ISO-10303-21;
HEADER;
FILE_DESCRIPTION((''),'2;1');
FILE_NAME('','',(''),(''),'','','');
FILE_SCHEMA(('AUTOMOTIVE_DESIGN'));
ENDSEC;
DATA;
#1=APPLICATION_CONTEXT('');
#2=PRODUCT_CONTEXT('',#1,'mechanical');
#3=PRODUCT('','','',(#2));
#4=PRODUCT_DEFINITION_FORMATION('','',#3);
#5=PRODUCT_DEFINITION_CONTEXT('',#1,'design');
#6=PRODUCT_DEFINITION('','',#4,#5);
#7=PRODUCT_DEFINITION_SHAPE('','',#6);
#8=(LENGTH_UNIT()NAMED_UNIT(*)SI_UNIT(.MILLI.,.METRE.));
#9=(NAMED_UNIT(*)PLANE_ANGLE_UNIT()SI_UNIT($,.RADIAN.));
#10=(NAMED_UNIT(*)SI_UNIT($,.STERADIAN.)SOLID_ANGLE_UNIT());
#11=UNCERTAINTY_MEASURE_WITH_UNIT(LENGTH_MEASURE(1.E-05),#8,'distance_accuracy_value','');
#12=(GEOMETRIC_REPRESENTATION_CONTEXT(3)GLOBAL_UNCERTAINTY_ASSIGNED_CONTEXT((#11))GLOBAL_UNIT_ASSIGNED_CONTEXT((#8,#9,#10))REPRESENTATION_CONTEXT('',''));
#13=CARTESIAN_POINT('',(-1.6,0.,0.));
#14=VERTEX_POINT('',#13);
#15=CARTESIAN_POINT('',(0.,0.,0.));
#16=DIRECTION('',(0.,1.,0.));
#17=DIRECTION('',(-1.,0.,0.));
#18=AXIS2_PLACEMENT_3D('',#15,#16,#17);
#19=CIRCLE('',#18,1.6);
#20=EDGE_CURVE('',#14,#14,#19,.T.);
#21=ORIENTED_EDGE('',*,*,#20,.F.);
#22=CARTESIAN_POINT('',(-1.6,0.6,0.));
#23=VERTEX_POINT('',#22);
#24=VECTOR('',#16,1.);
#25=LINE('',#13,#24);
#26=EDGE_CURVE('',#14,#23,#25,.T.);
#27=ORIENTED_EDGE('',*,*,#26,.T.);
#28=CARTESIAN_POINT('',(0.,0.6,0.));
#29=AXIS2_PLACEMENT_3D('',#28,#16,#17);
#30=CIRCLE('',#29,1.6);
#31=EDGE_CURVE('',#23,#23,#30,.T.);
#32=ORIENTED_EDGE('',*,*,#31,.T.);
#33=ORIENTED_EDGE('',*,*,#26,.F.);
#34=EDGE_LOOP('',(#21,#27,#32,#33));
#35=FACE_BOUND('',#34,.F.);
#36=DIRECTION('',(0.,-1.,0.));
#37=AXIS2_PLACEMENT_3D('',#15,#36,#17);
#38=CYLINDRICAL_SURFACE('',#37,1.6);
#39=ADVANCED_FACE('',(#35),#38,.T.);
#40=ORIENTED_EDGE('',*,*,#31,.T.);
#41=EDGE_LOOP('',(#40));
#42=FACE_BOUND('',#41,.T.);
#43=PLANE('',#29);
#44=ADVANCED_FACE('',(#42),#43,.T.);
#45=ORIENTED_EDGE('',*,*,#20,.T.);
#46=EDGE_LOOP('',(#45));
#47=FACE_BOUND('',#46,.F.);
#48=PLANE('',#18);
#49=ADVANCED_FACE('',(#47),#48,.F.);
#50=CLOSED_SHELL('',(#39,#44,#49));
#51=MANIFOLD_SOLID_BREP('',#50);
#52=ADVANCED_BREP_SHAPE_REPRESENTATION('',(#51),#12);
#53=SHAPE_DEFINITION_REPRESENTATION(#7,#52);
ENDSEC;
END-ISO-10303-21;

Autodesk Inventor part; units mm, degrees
ref_plane "YZ Plane" through (0, 0, 0) normal (1, 0, 0) x (0, 1, 0)
ref_plane "XZ Plane" through (0, 0, 0) normal (0, 1, 0) x (-1, 0, 0)
ref_plane "XY Plane" through (0, 0, 0) normal (0, 0, 1) x (1, 0, 0)
sketch "Sketch1" plane through (0, 0, 0) normal (0, 1, 0) x (-1, 0, 0)
  circle A0 centre (0, 0) radius 1.6
  dimension "d0" = 3.2
extrude "Extrusion1" add sketch "Sketch1" along normal blind 0.6
properties part number "mwheel_button_extension"
